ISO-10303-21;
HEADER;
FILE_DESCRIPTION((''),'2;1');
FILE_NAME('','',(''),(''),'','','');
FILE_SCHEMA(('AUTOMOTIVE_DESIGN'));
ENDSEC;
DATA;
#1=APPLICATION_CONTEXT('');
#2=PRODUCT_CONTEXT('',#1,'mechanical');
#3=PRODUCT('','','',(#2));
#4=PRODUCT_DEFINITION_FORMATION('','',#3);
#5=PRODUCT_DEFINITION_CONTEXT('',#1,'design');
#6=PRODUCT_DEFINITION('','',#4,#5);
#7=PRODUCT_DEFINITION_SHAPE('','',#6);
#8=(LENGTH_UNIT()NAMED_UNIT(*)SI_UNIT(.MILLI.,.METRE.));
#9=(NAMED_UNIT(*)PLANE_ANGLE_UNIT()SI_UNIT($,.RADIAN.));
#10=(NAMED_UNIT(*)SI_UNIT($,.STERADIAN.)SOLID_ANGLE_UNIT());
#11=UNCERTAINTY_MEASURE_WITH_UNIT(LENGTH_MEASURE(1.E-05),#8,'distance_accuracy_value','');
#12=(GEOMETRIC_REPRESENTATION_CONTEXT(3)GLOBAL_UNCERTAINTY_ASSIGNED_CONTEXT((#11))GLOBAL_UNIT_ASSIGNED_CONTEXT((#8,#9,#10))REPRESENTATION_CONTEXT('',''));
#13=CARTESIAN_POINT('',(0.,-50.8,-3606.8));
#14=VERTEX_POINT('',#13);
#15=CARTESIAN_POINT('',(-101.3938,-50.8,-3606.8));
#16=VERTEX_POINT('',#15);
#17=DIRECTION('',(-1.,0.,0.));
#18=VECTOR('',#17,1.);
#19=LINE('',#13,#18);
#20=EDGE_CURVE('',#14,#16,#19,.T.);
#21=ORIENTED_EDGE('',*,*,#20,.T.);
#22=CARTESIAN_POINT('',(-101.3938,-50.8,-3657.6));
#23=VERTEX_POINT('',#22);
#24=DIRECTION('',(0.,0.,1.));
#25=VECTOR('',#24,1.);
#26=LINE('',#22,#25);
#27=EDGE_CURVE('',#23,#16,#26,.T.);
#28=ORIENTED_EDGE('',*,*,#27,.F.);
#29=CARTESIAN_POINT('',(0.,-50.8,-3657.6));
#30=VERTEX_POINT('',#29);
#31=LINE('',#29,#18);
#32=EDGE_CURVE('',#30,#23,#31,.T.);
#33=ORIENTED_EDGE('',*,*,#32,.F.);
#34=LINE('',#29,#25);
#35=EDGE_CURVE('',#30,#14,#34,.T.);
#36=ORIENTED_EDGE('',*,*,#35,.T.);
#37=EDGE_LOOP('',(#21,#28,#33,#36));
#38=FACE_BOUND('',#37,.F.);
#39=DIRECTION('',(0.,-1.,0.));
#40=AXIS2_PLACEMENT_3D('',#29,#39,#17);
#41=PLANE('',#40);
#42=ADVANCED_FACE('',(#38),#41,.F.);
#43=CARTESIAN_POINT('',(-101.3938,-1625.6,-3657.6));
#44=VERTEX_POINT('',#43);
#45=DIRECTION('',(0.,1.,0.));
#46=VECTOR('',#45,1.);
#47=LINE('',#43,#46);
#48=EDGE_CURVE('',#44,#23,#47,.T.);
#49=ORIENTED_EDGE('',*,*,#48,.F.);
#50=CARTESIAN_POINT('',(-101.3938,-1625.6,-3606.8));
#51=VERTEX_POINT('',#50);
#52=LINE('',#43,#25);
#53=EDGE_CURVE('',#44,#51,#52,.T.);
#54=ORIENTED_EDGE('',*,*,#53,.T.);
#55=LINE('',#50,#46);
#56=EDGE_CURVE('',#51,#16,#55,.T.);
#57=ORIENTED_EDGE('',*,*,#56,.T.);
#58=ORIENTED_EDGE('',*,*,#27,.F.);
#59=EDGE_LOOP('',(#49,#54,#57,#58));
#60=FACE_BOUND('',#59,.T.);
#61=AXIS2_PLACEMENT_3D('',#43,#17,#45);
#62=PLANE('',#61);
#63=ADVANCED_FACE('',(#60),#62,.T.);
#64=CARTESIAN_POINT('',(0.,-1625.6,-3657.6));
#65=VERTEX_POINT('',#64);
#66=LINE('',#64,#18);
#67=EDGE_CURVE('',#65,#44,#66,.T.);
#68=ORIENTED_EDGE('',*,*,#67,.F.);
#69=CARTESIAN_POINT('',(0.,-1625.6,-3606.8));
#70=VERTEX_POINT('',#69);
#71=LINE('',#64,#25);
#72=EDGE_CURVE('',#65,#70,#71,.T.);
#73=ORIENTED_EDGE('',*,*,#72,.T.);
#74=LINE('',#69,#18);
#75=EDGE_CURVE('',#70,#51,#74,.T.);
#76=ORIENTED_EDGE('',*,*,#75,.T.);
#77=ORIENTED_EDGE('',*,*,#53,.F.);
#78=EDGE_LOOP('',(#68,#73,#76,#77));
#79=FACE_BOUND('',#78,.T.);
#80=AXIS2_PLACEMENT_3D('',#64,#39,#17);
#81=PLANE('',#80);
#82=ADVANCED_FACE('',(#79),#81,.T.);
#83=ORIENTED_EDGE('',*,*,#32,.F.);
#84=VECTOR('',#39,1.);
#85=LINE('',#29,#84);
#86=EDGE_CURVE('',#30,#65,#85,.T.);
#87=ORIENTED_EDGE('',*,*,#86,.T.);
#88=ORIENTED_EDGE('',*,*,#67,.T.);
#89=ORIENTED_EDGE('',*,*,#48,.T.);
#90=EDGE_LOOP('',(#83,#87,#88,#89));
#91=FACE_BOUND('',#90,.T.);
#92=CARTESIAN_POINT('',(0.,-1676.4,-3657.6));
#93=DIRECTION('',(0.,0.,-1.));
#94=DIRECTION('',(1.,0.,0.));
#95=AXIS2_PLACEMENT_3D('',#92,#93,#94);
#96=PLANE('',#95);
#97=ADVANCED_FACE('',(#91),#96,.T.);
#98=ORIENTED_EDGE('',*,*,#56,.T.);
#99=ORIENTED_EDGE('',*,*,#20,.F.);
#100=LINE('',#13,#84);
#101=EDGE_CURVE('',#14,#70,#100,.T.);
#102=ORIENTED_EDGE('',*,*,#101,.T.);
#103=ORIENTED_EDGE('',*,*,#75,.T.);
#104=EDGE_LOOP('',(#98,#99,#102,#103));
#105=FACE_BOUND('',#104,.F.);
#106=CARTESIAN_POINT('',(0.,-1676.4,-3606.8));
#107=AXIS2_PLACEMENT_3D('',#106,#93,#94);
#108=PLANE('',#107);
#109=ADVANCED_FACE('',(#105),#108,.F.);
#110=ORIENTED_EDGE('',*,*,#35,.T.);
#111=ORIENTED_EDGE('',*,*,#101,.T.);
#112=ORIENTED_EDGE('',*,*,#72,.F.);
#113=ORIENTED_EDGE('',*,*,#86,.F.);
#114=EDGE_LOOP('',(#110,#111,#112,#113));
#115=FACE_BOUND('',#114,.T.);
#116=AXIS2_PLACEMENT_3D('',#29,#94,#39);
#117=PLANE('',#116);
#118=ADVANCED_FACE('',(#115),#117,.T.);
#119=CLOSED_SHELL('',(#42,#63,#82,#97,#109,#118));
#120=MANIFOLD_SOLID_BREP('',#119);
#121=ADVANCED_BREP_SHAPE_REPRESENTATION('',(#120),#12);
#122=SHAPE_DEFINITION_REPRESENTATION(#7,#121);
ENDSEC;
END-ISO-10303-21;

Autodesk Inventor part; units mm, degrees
ref_plane "YZ Plane" through (0, 0, 0) normal (1, 0, 0) x (0, 1, 0)
ref_plane "XZ Plane" through (0, 0, 0) normal (0, 1, 0) x (-1, 0, 0)
ref_plane "XY Plane" through (0, 0, 0) normal (0, 0, 1) x (1, 0, 0)
ref_plane "Work Plane1" through (0, -1676.4, -3657.6) normal (0, 0, -1) x (1, 0, 0)
sketch "Sketch1" plane through (0, -1676.4, -3657.6) normal (0, 0, -1) x (1, 0, 0)
  line L0 (0, -50.8) -> (-101.3938, -50.8) projected
  line L1 (0, -1625.6) -> (-101.3938, -1625.6) projected
  line L2 (0, -50.8) -> (-101.3938, -50.8)
  line L3 (-101.3938, -50.8) -> (-101.3938, -1625.6)
  line L4 (-101.3938, -1625.6) -> (0, -1625.6)
  line L5 (0, -1625.6) -> (0, -50.8)
  point P0 (0, -1676.4)
  point P1 (-101.3938, -50.8)
extrude "Extrusion1" add sketch "Sketch1" against normal blind 50.8
properties part number "Side piece"
